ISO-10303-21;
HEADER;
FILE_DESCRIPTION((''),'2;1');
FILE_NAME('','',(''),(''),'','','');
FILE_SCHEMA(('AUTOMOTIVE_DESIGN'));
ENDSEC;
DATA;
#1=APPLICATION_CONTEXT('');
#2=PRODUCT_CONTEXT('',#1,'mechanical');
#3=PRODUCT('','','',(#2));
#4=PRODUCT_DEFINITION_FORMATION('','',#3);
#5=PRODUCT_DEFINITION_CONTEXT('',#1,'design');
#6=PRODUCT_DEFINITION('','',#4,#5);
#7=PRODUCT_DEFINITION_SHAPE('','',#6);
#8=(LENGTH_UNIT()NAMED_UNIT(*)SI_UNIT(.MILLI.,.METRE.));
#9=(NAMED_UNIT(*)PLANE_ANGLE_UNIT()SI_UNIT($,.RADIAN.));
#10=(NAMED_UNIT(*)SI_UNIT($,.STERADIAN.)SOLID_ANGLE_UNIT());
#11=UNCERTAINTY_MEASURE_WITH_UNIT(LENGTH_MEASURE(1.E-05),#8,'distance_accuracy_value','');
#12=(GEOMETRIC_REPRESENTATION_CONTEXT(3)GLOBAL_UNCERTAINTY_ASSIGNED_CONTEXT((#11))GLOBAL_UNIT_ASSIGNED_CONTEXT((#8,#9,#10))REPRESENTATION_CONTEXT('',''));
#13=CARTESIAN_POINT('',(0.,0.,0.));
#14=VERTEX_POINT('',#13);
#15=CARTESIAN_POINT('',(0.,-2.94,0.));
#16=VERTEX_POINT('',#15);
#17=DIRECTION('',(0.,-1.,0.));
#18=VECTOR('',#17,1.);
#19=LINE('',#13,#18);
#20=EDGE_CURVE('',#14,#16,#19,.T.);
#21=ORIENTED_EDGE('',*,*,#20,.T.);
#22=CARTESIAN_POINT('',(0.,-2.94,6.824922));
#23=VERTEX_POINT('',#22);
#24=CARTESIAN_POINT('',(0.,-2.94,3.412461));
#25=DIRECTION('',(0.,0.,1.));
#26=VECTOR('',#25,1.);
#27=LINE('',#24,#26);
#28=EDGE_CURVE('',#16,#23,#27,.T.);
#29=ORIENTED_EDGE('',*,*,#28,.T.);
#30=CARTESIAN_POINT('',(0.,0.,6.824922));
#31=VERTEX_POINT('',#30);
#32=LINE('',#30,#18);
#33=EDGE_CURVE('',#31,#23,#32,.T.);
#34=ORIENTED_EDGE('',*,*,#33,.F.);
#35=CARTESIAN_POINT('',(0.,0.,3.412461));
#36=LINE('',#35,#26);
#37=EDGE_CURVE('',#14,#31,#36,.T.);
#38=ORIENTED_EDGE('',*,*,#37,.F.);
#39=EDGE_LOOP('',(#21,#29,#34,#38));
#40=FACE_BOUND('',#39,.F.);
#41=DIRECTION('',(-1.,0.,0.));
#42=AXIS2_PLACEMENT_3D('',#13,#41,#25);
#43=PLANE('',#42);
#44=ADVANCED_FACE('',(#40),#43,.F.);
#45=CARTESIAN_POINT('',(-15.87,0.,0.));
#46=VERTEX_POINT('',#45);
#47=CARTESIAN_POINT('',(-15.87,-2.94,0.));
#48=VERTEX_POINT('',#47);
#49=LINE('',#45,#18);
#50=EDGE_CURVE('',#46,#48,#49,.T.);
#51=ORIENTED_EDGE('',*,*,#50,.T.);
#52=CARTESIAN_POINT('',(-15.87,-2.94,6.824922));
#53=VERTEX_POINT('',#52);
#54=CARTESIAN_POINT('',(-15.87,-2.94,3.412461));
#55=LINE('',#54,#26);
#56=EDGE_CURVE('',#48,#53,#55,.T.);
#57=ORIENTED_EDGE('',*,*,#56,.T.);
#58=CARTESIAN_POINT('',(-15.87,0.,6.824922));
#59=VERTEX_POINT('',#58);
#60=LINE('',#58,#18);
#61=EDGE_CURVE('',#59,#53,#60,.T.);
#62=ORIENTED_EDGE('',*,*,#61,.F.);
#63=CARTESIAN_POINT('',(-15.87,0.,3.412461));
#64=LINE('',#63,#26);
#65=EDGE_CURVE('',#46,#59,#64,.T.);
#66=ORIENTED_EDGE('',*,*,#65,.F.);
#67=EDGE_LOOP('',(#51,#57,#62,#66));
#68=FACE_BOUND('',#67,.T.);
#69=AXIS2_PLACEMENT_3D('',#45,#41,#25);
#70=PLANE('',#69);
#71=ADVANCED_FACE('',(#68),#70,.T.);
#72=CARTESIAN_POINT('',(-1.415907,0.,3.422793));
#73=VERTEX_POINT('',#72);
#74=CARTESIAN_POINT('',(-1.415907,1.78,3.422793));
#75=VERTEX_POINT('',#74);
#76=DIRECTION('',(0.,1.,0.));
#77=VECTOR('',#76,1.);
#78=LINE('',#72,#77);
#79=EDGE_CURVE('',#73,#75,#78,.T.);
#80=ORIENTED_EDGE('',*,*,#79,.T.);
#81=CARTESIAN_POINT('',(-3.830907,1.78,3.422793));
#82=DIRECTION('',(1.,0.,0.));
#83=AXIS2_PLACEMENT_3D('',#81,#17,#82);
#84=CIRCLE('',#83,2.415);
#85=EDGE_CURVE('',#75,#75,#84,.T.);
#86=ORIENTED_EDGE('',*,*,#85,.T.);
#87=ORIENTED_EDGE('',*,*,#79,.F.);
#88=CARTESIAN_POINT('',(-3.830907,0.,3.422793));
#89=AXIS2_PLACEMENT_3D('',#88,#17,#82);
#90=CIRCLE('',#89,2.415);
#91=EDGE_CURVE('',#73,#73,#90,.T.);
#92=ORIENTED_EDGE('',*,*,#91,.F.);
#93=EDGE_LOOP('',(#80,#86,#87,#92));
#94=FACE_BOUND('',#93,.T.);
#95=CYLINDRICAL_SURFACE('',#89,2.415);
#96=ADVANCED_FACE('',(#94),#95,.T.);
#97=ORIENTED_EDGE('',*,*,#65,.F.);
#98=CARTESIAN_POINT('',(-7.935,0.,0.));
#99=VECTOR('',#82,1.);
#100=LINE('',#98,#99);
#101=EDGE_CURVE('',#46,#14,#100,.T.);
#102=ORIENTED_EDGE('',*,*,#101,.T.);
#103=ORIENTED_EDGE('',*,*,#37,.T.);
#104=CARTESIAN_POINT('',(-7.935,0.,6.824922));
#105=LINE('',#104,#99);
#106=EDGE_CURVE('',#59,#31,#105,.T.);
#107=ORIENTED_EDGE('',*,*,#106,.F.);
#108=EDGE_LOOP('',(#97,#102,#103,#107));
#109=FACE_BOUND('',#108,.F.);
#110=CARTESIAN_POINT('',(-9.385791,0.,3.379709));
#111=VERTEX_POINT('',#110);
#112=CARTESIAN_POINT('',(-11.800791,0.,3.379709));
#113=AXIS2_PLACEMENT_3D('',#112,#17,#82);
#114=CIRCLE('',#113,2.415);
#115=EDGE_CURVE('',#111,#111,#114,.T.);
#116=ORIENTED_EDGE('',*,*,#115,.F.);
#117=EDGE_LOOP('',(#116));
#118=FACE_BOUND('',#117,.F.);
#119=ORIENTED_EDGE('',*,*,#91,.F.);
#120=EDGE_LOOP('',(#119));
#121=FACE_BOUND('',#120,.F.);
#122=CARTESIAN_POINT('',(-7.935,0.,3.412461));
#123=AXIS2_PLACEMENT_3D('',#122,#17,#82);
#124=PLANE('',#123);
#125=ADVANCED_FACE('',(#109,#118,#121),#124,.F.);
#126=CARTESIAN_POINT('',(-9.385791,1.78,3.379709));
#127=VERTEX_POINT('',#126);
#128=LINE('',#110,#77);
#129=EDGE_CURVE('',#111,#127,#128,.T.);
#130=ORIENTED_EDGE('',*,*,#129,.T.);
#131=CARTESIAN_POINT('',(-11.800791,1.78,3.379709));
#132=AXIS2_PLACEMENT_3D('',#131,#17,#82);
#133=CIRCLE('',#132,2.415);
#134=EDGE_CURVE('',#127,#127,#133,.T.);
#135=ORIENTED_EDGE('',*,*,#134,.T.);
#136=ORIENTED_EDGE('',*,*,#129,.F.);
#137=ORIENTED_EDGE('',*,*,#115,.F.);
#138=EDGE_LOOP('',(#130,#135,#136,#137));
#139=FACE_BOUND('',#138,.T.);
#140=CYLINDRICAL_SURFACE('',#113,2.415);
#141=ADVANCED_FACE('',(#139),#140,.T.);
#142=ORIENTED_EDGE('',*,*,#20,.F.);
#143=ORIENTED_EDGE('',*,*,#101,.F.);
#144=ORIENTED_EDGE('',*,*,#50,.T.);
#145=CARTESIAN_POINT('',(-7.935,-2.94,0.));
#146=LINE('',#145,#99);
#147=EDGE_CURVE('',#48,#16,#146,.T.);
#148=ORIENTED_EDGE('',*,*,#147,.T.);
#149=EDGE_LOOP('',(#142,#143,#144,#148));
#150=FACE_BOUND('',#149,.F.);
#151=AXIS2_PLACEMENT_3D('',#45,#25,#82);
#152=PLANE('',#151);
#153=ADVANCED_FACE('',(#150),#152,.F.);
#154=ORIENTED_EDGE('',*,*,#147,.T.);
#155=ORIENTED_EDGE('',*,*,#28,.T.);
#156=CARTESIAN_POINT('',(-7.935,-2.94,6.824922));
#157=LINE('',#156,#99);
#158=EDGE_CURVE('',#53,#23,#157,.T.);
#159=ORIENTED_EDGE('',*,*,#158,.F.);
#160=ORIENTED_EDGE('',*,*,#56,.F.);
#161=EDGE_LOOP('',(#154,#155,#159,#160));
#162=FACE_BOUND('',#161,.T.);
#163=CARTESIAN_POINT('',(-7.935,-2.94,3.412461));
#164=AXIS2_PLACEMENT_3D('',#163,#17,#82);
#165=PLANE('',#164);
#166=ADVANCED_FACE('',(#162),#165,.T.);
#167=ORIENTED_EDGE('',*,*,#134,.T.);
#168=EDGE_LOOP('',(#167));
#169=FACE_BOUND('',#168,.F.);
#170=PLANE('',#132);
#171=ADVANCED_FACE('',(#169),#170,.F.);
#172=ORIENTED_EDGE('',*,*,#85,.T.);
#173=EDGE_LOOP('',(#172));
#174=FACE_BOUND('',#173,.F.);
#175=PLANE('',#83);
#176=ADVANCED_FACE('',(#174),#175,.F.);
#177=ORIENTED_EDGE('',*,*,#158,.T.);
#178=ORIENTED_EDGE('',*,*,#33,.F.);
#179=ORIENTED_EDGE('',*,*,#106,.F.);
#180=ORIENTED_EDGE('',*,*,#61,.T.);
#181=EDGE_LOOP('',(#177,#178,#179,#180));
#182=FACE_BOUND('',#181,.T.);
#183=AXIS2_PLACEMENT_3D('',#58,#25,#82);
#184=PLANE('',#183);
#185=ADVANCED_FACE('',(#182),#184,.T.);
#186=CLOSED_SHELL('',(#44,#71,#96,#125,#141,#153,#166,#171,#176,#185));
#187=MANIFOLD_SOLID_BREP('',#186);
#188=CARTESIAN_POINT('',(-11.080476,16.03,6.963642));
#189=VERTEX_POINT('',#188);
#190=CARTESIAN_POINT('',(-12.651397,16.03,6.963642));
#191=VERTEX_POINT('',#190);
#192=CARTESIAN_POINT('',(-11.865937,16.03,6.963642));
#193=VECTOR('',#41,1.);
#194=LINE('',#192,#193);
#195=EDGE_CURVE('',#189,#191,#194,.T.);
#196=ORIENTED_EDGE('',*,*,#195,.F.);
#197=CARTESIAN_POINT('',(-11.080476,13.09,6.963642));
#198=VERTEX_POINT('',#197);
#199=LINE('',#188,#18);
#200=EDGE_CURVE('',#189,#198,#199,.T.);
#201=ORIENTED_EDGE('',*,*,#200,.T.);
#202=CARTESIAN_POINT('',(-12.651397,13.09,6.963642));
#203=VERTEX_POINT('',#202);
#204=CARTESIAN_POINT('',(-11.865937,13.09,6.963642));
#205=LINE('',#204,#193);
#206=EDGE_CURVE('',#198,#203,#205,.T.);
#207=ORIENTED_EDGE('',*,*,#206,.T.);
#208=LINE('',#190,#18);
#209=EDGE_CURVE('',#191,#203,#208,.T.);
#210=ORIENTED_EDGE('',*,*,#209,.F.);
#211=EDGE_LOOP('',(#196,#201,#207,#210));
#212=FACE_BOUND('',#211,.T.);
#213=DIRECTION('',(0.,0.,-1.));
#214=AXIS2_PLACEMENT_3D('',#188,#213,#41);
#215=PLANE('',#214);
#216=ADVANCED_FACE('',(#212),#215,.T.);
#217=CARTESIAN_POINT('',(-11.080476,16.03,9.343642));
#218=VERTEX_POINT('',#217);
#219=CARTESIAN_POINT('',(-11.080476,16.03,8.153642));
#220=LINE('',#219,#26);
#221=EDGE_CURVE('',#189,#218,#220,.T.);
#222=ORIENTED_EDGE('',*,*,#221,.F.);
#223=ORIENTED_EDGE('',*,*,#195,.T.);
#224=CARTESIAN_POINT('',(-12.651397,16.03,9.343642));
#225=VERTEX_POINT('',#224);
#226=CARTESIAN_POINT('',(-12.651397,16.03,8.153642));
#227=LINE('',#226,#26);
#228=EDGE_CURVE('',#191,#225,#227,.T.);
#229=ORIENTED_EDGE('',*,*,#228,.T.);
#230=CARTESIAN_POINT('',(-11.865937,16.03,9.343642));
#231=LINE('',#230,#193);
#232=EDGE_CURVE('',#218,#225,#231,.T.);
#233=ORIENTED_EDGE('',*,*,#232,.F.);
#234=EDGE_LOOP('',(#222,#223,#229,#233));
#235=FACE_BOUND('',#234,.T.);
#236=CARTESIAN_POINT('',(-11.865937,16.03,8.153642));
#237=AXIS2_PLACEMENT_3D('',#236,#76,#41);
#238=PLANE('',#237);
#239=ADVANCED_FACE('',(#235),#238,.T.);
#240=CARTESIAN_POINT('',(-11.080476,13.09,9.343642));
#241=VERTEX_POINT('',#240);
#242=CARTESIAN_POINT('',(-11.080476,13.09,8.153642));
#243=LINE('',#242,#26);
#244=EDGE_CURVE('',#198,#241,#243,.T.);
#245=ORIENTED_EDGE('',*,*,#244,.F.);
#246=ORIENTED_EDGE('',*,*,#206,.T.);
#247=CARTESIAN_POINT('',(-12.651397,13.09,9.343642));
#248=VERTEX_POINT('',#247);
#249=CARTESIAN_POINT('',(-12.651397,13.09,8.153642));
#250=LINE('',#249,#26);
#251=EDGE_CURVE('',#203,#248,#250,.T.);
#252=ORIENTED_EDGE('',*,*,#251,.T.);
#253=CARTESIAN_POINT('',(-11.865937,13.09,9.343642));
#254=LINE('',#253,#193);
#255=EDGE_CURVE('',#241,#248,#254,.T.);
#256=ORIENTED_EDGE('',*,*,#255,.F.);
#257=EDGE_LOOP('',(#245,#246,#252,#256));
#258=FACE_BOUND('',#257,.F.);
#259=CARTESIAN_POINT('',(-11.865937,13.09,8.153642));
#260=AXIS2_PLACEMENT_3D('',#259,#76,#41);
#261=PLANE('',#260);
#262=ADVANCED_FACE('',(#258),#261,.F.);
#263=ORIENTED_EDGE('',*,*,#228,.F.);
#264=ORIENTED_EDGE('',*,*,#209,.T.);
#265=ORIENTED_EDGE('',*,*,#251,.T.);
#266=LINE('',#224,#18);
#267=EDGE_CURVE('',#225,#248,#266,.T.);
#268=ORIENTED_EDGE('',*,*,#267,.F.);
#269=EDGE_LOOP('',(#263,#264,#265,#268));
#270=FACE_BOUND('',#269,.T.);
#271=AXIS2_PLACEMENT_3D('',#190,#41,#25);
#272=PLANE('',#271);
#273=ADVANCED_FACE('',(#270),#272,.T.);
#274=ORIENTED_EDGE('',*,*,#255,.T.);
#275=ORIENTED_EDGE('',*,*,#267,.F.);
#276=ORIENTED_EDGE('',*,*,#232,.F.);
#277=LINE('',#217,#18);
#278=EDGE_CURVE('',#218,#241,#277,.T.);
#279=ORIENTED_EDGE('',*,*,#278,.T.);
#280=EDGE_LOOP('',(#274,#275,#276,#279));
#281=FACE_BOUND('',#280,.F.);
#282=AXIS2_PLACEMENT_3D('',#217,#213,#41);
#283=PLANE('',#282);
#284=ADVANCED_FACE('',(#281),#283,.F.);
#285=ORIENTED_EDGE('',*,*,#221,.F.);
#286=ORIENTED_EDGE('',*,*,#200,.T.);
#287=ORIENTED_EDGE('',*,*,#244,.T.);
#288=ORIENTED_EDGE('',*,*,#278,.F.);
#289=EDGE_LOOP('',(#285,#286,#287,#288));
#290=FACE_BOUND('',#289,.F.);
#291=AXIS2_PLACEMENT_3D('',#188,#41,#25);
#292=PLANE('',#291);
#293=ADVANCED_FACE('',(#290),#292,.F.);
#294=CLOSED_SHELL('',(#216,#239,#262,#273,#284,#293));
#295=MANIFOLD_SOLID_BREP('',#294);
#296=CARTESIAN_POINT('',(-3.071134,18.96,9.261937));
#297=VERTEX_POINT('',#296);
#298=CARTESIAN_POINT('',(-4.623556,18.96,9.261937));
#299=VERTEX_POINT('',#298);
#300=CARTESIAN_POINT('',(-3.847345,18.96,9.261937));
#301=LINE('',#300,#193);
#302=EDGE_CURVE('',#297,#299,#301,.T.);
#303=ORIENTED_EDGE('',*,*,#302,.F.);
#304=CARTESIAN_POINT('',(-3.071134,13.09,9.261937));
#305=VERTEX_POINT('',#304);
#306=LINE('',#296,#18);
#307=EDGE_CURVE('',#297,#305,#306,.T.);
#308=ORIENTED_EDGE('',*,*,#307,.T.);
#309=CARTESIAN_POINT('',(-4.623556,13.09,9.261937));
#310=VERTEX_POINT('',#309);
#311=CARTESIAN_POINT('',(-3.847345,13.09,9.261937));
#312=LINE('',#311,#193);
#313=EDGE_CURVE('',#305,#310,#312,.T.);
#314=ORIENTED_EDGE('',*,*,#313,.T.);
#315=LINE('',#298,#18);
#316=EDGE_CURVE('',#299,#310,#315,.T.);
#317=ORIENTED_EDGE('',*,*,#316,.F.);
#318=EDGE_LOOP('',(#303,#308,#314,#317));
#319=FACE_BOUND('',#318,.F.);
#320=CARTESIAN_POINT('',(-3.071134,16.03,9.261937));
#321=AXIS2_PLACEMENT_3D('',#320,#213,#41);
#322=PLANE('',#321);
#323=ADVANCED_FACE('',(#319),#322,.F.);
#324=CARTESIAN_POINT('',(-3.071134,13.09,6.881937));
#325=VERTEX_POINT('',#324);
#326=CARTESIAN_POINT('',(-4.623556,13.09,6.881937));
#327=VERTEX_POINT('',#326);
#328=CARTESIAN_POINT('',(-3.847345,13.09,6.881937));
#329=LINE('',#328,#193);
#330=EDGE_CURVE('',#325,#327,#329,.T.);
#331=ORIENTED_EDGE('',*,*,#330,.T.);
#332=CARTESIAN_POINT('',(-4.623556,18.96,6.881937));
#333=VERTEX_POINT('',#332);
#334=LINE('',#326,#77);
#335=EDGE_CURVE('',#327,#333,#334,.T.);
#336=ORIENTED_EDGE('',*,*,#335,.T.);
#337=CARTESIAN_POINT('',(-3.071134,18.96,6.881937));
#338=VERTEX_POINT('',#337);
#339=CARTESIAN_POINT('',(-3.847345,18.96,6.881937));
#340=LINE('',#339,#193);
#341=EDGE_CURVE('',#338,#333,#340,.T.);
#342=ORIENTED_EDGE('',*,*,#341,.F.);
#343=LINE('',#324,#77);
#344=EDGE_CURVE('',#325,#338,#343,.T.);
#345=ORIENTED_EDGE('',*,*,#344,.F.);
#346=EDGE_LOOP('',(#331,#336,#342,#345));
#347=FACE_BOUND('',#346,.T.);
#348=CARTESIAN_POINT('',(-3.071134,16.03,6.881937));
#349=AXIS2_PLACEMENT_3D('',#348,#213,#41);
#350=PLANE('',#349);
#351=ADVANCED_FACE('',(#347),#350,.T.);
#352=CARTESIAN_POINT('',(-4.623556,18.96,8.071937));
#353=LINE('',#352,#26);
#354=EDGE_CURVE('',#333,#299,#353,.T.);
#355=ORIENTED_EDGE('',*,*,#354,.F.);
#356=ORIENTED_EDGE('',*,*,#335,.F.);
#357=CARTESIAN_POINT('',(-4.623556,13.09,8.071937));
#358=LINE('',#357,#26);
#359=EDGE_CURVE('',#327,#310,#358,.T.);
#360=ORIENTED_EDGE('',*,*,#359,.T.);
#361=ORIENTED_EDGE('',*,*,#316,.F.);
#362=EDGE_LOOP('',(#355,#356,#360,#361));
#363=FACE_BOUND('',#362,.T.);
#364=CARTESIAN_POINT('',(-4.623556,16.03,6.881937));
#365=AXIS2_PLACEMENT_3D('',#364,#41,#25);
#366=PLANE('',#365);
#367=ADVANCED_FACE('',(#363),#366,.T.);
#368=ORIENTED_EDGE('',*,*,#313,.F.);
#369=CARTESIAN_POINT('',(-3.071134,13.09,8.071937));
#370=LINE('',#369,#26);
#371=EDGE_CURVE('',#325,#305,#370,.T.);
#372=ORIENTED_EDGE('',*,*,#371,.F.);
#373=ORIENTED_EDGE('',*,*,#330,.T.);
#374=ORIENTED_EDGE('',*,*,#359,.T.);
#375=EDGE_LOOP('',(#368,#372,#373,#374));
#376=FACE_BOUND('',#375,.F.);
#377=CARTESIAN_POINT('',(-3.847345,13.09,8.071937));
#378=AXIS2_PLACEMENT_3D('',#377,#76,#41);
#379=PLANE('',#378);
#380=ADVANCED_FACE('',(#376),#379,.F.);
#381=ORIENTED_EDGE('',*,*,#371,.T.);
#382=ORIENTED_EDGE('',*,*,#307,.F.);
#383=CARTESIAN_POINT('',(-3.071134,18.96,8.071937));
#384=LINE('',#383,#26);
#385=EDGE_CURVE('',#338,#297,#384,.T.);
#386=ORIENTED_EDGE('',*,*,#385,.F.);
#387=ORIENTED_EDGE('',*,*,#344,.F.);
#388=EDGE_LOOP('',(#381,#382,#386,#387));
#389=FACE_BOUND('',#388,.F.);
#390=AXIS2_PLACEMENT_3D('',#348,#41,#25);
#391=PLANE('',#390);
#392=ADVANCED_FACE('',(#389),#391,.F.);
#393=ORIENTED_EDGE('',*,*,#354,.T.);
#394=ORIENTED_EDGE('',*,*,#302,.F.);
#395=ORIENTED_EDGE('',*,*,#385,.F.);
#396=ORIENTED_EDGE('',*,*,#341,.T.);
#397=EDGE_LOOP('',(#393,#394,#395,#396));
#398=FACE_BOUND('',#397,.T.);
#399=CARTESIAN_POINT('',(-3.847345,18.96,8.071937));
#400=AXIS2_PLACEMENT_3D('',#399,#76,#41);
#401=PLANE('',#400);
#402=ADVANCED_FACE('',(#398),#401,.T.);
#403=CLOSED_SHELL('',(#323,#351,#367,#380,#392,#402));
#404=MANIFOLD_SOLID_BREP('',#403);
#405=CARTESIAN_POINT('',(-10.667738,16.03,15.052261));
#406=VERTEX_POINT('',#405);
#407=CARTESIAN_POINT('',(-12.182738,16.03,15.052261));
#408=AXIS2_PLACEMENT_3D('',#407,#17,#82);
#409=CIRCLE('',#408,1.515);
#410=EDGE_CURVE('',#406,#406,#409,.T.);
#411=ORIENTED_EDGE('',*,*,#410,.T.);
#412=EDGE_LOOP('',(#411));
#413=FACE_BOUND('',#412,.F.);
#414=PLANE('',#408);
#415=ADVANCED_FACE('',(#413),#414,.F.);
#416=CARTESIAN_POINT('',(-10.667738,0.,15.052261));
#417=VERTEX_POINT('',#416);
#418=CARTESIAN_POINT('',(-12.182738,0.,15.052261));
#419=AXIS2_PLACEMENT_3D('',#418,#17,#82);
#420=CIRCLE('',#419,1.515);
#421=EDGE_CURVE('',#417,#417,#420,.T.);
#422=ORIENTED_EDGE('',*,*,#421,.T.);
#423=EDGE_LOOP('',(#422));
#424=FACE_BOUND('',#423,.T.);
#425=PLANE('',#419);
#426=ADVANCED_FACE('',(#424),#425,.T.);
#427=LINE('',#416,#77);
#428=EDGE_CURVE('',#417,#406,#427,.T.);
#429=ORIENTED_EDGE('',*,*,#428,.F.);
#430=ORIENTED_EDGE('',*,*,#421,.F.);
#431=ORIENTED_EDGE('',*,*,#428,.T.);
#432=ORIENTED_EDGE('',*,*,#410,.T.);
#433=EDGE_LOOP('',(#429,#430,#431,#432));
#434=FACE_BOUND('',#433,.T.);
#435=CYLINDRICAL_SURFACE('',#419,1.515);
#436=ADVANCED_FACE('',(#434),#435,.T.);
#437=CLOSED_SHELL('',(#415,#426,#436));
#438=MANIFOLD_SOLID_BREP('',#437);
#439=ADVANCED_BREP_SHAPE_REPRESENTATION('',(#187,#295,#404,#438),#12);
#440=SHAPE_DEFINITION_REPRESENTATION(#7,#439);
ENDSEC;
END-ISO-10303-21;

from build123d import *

# Parameters (mm, degrees)
F0_W     = 15.87
F0_H     = 6.824922
F1_DEPTH = 2.94
F2_R     = 2.415
F3_DEPTH = 1.78
F4_R     = 1.515
F5_DEPTH = 16.03
F6_W     = 1.552422
F6_H     = 2.38
F7_DEPTH = 2.93
F6_W_2   = 1.570921
F8_DEPTH = 2.94


with BuildPart() as f1:
    # F0 (on Front) → F1 (new body)
    with BuildSketch(Plane.XZ):
        with Locations((-7.935, 3.412461)):
            Rectangle(F0_W, F0_H)
    extrude(amount=F1_DEPTH)

    # F2 (on Front) → F3 (join)
    with BuildSketch(Plane.XZ):
        with Locations((-11.800791, 3.379709)):
            Circle(F2_R)
        with Locations((-3.830907, 3.422793)):
            Circle(F2_R)
    extrude(amount=-F3_DEPTH)


with BuildPart() as f5:
    # F4 (on Front) → F5 (new body)
    with BuildSketch(Plane.XZ):
        with Locations((-12.182738, 15.052261)):
            Circle(F4_R)
    extrude(amount=-F5_DEPTH)


with BuildPart() as f7:
    # F6 (on face) → F7 (new body)
    with BuildSketch(Plane(origin=(0, 16.03, 0), x_dir=(-1, 0, 0), z_dir=(0, 1, 0))):
        with Locations((3.847345, 8.071937)):
            Rectangle(F6_W, F6_H)
    extrude(amount=F7_DEPTH)

    # F6 (on face) → F8 (join)
    with BuildSketch(Plane(origin=(0, 16.03, 0), x_dir=(-1, 0, 0), z_dir=(0, 1, 0))):
        with Locations((11.865937, 8.153642)):
            Rectangle(F6_W_2, F6_H)
        with Locations((3.847345, 8.071937)):
            Rectangle(F6_W, F6_H)
    extrude(amount=-F8_DEPTH)


solid = Compound([f1.part, f5.part, f7.part])
